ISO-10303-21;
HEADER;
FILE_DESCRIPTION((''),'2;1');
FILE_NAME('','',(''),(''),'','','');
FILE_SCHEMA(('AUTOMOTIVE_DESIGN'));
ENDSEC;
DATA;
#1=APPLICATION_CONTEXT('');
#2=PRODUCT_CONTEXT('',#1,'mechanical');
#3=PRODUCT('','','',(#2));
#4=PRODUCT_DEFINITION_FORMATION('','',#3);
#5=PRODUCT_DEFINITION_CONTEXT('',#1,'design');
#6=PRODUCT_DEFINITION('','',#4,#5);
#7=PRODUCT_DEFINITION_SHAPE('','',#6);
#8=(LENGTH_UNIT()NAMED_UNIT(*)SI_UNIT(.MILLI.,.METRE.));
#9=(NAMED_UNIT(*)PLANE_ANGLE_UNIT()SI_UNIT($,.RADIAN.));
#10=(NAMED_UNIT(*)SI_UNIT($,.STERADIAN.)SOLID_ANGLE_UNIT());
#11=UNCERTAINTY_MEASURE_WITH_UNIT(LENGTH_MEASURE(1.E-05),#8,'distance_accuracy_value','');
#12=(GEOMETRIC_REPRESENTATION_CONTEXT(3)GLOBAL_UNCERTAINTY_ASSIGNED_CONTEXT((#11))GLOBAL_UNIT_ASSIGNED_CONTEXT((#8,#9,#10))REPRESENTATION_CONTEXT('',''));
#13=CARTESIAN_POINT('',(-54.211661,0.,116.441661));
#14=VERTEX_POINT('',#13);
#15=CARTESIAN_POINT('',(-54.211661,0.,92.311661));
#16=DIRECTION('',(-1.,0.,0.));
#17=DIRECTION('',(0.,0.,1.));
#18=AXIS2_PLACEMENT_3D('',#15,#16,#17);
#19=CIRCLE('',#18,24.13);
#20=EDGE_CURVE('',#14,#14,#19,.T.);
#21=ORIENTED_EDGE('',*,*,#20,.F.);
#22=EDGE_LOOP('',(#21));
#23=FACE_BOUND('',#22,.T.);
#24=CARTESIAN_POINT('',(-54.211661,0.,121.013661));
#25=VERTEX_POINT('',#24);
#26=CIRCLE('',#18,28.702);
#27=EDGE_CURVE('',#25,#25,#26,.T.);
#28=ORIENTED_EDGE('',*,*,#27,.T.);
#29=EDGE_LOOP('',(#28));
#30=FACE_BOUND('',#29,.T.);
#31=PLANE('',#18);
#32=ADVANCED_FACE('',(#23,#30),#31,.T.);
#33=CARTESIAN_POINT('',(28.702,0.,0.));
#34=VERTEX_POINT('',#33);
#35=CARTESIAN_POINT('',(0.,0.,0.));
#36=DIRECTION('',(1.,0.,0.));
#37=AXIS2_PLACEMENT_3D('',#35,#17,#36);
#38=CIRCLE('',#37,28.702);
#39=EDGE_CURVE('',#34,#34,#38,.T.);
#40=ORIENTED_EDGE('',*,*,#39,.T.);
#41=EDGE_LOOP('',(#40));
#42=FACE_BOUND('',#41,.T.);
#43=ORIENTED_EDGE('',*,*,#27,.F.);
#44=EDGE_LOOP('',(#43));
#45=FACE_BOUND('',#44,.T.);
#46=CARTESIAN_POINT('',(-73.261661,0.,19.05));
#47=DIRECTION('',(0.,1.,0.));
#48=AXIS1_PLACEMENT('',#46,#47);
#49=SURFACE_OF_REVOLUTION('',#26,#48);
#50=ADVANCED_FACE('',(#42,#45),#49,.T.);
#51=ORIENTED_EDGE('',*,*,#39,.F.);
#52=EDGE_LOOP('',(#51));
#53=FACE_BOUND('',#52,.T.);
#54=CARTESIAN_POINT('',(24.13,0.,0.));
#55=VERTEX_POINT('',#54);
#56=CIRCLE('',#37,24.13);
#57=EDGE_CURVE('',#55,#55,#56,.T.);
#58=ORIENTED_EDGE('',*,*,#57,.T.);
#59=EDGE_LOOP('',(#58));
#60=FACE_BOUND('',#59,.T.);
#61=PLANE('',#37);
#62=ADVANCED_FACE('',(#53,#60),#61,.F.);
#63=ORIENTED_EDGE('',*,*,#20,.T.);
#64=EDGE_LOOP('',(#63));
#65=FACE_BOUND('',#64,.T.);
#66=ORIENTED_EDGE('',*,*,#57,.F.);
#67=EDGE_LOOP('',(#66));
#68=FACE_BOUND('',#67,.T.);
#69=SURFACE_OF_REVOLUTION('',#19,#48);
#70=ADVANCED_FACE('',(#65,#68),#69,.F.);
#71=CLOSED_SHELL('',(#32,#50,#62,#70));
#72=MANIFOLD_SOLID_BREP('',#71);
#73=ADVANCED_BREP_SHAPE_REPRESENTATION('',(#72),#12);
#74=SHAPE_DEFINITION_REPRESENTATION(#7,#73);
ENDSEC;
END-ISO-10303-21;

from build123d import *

# Parameters (mm, degrees)
SKETCH1_R   = 28.702
SKETCH1_R_2 = 24.13


with BuildPart() as part:
    # Sweep2: sweep along a path in Sketch2
    with BuildLine(Plane(origin=(0, 0, 0), x_dir=(1, 0, 0), z_dir=(0, 1, 0))) as sweep2_path:
        ThreePointArc((-73.261661461, 0), (-59.79127728, -5.579615818), (-54.211661461, -19.05))
    # Sketch1 → Sweep2 (sweep)
    with BuildSketch(Plane.XY):
        Circle(SKETCH1_R)
        Circle(SKETCH1_R_2, mode=Mode.SUBTRACT)
    sweep(path=sweep2_path.line)


solid = part.part
